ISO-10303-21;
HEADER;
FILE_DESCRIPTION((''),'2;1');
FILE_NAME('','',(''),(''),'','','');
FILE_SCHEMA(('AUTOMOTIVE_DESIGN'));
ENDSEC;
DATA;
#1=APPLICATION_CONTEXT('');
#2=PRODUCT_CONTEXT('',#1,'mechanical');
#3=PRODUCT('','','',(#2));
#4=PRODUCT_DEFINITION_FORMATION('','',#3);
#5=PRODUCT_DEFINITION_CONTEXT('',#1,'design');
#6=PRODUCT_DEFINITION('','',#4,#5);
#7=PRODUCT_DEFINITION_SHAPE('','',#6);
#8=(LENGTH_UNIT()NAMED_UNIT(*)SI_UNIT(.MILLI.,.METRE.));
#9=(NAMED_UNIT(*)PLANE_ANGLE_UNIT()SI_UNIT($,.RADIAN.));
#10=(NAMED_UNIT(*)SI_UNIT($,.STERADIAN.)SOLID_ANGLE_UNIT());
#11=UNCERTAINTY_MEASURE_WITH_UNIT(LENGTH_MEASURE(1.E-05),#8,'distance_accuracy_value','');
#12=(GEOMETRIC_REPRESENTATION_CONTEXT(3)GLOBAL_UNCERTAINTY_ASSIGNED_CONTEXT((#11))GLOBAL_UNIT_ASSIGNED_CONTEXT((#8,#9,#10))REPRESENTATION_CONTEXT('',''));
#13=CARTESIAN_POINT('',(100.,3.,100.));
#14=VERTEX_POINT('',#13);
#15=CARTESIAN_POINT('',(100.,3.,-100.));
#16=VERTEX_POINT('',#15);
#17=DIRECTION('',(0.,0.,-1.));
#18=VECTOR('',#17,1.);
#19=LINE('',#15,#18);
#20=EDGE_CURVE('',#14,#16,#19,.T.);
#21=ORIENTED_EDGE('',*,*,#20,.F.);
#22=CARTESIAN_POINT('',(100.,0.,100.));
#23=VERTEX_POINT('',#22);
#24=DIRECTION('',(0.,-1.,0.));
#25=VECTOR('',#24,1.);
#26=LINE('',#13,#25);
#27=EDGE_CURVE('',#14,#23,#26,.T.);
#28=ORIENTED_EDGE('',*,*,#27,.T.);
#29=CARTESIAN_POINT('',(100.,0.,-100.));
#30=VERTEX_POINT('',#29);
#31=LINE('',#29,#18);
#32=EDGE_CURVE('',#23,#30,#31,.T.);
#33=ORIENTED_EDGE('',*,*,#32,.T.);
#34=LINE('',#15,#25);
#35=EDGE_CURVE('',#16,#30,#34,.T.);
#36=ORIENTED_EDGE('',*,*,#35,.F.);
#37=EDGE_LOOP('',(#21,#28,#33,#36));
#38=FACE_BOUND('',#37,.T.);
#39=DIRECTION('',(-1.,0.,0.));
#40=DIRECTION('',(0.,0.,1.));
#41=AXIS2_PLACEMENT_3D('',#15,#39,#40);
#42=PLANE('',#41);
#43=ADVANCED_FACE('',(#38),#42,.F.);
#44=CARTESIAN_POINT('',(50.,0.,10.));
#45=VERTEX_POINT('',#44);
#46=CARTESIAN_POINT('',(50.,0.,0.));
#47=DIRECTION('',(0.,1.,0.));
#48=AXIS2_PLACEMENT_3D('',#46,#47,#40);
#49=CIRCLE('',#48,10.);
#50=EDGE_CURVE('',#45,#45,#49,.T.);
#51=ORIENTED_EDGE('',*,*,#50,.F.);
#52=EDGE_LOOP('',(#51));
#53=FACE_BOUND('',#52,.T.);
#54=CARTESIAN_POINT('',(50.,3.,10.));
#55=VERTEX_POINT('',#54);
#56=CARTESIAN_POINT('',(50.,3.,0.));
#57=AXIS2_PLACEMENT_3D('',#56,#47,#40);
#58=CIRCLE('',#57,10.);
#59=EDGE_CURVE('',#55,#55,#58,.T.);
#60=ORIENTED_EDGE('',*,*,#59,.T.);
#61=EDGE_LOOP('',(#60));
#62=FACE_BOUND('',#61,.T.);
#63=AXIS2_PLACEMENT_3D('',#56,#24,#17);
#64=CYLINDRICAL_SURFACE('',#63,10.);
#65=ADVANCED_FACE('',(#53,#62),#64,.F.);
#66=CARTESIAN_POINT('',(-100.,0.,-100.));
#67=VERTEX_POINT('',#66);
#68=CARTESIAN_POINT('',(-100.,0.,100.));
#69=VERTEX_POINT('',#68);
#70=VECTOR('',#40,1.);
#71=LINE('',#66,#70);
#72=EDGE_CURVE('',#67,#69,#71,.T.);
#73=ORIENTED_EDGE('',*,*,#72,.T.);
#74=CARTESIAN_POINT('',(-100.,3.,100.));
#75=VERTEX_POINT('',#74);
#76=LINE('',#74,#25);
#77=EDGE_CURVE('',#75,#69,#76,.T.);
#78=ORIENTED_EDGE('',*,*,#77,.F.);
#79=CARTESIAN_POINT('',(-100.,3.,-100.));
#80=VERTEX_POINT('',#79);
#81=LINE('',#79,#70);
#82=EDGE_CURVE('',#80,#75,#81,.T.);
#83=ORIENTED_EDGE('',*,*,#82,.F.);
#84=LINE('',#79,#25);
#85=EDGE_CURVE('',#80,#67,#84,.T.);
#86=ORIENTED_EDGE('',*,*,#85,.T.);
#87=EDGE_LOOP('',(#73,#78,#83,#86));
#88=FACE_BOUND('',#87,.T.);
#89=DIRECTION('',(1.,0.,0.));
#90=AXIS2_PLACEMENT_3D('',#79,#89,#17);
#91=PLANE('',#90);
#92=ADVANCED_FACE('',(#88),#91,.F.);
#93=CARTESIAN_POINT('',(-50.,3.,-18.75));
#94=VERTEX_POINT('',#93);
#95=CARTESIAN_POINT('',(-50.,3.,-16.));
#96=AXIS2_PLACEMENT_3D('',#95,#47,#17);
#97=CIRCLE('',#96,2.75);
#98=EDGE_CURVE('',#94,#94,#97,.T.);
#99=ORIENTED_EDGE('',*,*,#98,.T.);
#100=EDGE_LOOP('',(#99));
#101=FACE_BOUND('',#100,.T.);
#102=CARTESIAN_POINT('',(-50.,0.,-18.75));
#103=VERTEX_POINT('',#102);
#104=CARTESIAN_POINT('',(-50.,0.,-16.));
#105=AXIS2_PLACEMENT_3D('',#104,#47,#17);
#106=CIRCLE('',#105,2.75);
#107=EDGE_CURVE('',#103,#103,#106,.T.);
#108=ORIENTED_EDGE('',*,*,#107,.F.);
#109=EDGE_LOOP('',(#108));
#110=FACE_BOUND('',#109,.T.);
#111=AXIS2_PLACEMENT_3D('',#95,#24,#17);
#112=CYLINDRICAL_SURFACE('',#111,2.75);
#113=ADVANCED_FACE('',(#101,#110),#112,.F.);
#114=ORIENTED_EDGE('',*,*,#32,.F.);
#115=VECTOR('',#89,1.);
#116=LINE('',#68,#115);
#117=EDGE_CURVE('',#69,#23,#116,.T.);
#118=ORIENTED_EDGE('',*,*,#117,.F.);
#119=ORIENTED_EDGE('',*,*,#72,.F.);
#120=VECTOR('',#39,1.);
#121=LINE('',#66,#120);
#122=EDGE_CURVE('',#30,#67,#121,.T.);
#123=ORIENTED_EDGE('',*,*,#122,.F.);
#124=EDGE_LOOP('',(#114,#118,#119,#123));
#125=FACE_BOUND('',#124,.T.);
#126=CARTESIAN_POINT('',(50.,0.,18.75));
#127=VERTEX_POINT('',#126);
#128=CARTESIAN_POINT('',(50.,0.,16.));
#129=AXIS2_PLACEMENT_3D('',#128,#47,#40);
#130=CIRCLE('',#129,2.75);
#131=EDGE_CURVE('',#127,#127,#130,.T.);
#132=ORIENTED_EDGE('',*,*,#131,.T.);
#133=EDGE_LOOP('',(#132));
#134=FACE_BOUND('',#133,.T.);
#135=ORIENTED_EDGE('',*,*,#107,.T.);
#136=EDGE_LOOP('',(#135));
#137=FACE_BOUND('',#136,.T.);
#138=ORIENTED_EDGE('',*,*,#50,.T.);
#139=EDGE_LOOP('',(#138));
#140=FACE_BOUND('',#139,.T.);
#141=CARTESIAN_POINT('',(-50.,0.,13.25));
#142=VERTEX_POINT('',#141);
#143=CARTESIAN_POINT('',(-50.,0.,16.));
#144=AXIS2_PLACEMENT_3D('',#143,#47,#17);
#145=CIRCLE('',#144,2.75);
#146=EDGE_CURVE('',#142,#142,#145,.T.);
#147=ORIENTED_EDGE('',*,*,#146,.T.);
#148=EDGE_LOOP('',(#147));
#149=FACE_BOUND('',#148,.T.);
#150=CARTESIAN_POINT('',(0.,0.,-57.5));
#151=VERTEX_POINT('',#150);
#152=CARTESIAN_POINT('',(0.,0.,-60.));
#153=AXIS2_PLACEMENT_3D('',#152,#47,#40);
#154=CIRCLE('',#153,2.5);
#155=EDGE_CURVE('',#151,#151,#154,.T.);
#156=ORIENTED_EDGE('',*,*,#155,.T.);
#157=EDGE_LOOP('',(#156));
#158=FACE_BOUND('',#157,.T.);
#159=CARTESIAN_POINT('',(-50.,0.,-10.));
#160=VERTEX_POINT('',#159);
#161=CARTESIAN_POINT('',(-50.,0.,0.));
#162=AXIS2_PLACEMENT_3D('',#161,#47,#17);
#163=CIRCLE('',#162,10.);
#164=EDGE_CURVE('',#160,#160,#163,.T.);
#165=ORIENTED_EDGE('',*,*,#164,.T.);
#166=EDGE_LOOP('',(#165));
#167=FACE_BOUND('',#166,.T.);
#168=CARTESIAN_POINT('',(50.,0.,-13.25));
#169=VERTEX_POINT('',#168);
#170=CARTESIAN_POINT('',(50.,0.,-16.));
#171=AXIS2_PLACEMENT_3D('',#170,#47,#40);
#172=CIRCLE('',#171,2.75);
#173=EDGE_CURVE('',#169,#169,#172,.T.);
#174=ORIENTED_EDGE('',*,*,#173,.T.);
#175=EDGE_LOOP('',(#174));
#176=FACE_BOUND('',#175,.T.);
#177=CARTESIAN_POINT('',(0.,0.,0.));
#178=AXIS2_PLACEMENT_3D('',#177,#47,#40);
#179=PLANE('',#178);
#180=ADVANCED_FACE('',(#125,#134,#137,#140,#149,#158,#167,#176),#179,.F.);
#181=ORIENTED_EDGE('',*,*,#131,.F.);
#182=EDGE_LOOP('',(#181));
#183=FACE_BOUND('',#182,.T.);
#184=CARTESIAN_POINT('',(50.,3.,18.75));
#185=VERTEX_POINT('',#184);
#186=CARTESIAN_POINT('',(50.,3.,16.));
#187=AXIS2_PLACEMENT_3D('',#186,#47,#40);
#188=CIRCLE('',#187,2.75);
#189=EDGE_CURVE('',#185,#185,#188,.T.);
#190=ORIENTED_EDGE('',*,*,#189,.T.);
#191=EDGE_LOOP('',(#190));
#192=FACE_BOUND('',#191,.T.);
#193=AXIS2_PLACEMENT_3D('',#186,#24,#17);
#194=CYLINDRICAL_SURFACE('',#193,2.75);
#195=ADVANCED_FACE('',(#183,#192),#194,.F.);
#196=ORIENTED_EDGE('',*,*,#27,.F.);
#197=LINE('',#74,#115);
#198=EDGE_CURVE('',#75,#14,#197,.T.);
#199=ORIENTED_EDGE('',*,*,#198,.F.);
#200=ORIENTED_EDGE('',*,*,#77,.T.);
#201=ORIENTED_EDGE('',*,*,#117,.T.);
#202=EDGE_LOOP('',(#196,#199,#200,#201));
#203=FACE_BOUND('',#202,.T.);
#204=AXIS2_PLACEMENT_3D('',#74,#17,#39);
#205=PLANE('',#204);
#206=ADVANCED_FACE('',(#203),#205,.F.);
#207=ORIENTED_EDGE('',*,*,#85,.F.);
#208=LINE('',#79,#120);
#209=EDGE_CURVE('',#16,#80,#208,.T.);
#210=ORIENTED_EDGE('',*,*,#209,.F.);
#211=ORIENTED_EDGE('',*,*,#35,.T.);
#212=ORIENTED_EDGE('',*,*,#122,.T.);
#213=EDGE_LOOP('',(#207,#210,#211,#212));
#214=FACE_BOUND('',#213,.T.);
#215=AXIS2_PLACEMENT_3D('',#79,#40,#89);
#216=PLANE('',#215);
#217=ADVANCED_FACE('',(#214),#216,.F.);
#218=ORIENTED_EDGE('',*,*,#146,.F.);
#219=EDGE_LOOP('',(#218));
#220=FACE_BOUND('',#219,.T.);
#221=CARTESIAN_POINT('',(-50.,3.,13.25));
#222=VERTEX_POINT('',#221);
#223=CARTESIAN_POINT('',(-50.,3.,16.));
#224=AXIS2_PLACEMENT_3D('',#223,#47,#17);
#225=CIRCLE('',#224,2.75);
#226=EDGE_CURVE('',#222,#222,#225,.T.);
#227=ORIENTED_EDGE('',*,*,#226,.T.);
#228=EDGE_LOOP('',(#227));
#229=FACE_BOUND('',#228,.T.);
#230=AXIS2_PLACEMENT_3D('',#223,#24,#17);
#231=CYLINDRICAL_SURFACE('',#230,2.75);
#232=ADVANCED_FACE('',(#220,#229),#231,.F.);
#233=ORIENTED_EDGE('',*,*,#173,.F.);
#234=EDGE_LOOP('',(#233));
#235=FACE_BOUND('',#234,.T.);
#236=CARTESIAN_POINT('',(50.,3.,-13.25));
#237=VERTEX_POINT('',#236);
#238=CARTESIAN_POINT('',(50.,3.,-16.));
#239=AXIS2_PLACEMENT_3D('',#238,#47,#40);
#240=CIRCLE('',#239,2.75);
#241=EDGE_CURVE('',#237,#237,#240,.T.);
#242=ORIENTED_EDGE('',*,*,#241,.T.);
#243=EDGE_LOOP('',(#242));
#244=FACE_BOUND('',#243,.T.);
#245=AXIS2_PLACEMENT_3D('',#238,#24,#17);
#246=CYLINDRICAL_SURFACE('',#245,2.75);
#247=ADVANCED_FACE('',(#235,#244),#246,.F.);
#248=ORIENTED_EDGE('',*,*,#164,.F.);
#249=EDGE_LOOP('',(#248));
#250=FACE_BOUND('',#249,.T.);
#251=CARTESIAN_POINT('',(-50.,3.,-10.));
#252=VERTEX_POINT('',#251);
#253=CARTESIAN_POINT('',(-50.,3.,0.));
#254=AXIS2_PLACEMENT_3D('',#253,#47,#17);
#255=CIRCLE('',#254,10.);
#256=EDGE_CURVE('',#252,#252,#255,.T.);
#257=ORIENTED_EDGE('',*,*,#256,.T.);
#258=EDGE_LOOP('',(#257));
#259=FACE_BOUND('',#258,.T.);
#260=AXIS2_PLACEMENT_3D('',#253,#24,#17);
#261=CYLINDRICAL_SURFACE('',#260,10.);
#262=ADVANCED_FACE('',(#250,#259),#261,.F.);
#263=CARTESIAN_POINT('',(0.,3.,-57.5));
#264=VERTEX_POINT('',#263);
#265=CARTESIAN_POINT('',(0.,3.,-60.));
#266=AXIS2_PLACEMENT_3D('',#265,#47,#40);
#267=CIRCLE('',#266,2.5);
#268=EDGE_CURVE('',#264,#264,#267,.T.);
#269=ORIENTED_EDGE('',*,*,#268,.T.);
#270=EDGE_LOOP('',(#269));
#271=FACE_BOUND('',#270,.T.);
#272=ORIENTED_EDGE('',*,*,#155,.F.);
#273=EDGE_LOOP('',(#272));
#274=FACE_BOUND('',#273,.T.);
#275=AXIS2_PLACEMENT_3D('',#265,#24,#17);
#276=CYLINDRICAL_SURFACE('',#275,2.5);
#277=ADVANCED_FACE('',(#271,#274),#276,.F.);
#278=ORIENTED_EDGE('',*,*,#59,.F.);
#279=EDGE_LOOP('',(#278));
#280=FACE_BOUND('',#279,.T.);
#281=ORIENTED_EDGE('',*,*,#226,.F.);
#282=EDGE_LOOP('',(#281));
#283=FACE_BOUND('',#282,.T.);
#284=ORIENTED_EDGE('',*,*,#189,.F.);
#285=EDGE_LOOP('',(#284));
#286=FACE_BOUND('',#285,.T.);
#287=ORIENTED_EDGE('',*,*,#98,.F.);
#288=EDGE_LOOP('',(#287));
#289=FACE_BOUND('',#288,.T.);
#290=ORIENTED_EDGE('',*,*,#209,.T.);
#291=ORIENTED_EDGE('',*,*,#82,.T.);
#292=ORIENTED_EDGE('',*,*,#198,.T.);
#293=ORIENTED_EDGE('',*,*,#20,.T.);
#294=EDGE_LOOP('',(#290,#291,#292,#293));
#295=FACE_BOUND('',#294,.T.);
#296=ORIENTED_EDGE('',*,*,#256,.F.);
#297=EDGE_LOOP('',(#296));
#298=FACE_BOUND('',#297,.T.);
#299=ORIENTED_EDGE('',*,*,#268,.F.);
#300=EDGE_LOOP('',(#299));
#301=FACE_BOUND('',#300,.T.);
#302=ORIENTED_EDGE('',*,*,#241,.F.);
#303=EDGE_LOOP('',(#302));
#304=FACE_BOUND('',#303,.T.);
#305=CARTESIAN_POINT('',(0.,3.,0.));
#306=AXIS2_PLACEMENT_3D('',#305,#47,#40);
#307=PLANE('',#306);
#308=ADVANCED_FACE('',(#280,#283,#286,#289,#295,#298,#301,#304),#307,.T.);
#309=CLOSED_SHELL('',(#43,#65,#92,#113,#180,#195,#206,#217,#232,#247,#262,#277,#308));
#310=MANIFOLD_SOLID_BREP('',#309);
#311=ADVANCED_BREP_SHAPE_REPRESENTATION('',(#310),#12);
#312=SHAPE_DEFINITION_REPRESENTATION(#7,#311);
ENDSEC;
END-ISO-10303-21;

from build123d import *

# Parameters (mm, degrees)
SKETCH_1_W      = 200
SKETCH_1_H      = 200
SKETCH_1_R      = 2.5
SKETCH_1_R_2    = 10
SKETCH_1_R_3    = 2.75
EXTRUDE_1_DEPTH = 3


with BuildPart() as part:
    # 草图1 → 凸台-拉伸1 (new body)
    with BuildSketch(Plane(origin=(0, 0, 0), x_dir=(1, 0, 0), z_dir=(0, 1, 0))):
        Rectangle(SKETCH_1_W, SKETCH_1_H)
        with Locations(Location((0, 60, 0), (0, 0, 270))):
            Circle(SKETCH_1_R, mode=Mode.SUBTRACT)
        with Locations(Location((50, 0, 0), (0, 0, 270))):
            Circle(SKETCH_1_R_2, mode=Mode.SUBTRACT)
        with Locations(Location((50, 16, 0), (0, 0, 270))):
            Circle(SKETCH_1_R_3, mode=Mode.SUBTRACT)
        with Locations(Location((50, -16, 0), (0, 0, 270))):
            Circle(SKETCH_1_R_3, mode=Mode.SUBTRACT)
        with Locations(Location((-50, -16, 0), (0, 0, 90))):
            Circle(SKETCH_1_R_3, mode=Mode.SUBTRACT)
        with Locations(Location((-50, 16, 0), (0, 0, 90))):
            Circle(SKETCH_1_R_3, mode=Mode.SUBTRACT)
        with Locations(Location((-50, 0, 0), (0, 0, 90))):
            Circle(SKETCH_1_R_2, mode=Mode.SUBTRACT)
    extrude(amount=EXTRUDE_1_DEPTH)


solid = part.part
